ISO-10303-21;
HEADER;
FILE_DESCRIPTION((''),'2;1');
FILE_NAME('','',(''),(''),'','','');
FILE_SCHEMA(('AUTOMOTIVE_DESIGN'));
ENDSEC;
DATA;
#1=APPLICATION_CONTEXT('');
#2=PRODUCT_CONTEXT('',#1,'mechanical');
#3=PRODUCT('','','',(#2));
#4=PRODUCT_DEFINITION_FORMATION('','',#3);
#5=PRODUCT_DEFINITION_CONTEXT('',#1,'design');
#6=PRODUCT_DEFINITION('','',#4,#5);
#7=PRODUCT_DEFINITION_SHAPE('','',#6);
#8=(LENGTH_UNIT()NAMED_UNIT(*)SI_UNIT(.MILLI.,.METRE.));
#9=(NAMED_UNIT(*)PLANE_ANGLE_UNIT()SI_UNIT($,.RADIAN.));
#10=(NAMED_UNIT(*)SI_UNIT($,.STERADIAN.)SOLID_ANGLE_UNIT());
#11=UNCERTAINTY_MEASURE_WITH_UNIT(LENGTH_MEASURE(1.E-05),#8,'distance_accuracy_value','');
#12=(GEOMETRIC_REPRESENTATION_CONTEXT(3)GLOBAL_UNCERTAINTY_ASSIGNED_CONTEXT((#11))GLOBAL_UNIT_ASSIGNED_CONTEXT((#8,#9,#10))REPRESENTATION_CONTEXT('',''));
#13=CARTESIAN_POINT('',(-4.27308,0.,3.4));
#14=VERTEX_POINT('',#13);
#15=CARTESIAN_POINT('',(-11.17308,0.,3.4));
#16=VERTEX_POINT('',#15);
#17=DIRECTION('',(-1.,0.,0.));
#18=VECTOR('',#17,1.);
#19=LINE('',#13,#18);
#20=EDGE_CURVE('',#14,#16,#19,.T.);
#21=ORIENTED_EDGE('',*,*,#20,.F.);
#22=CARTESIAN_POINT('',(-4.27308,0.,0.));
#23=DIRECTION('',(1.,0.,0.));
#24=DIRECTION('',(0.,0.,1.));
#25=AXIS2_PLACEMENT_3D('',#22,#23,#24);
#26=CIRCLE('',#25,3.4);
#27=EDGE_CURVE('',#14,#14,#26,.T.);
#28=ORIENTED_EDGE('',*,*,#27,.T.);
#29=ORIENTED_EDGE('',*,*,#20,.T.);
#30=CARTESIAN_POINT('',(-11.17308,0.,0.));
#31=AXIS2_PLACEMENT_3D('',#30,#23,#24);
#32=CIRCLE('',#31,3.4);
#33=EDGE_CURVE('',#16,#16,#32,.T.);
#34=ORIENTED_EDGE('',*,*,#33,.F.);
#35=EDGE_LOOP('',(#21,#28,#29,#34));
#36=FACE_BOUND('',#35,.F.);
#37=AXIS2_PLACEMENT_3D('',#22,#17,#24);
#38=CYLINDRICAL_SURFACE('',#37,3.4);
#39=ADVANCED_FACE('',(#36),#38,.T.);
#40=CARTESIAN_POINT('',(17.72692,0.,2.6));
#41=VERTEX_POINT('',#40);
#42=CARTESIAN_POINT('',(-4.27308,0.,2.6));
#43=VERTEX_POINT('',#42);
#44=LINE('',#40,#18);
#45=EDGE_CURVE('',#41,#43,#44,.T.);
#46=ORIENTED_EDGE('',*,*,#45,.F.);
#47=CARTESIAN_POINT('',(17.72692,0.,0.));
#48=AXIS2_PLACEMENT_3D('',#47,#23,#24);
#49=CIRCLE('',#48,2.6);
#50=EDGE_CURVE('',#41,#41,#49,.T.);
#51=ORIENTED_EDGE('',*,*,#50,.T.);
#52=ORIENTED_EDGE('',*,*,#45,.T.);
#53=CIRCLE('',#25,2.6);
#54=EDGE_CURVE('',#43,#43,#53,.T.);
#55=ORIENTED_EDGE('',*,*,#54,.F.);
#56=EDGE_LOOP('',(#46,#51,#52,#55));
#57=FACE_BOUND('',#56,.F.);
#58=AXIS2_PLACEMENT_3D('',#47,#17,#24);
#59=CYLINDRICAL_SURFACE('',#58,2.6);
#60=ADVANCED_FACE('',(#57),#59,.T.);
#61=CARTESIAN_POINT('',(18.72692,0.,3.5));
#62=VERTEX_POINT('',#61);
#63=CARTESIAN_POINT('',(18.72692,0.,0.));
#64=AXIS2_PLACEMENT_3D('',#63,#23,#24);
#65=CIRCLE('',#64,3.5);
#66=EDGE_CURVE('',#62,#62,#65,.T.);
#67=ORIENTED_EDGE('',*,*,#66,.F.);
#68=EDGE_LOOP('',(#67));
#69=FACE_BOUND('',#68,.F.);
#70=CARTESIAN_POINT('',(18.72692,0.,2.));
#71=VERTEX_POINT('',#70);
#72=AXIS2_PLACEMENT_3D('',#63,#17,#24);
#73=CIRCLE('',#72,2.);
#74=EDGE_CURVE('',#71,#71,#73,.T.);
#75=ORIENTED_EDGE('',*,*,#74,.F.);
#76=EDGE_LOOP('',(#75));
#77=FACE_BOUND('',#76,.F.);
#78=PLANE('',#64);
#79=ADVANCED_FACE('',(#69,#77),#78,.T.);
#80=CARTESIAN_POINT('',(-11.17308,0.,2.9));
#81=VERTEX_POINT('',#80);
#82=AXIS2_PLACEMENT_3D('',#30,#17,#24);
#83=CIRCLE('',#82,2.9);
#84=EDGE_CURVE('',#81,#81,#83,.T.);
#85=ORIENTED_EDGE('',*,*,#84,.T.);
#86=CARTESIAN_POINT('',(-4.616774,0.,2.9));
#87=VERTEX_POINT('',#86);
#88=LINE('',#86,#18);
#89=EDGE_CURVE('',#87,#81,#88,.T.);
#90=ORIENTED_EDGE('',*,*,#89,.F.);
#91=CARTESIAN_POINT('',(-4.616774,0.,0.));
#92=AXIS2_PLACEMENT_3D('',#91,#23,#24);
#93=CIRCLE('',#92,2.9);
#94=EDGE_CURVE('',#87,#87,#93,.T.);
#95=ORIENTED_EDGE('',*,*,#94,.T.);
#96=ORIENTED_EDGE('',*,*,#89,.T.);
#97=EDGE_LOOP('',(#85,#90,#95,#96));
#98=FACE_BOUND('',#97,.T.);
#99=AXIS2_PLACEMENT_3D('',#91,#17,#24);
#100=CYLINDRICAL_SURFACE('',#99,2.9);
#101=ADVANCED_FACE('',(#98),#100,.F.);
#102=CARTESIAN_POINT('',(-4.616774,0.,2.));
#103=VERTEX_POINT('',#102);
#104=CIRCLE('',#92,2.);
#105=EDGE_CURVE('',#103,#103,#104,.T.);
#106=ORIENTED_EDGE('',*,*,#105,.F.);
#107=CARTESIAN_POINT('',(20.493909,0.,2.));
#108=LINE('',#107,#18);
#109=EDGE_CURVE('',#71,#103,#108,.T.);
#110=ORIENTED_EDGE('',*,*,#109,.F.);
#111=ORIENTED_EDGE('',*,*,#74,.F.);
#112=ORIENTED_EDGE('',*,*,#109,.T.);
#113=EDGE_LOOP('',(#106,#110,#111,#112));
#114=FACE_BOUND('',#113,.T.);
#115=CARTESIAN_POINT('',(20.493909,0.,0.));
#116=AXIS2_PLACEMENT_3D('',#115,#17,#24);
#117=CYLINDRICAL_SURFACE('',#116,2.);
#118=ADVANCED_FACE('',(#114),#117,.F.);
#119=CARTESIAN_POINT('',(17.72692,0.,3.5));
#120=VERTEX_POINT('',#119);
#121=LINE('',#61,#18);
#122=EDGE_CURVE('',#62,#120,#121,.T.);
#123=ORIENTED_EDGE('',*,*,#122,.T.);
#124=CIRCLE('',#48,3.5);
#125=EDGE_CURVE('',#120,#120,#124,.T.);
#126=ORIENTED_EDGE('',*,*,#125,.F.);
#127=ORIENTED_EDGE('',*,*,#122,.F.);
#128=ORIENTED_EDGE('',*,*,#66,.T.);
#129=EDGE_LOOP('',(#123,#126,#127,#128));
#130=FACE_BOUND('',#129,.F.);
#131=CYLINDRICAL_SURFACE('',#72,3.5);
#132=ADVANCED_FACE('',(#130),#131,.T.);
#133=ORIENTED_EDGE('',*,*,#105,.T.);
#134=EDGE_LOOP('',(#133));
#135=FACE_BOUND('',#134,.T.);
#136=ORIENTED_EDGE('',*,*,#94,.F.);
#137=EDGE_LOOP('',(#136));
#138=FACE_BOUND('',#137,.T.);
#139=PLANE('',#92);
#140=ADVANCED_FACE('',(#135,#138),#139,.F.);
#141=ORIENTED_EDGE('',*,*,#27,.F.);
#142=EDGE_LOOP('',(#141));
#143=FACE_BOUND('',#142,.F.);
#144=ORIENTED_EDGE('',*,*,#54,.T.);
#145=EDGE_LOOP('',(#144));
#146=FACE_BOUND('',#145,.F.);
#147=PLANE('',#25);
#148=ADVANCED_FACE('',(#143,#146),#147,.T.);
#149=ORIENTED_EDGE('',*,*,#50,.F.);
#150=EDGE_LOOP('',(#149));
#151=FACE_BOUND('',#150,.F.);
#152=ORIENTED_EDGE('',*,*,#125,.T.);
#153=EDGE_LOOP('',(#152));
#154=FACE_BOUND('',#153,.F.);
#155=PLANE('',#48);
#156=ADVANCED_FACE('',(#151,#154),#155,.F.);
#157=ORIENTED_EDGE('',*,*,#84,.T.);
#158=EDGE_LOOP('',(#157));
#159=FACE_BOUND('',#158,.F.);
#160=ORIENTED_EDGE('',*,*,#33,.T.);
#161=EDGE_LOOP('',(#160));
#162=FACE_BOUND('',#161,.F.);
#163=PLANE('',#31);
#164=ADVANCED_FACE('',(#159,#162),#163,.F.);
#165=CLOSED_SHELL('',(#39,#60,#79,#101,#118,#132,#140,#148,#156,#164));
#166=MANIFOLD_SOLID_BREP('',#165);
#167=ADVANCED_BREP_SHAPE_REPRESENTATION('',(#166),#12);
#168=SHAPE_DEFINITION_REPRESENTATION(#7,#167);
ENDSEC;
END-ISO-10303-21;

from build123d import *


with BuildPart() as f1:
    # F0 (on Front) → F1 (revolve)
    with BuildSketch(Plane.XZ):
        Polygon((-11.17308, 3.4), (-11.17308, 0), (17.72692, 0), (17.72692, 2.6), (-4.27308, 2.6), (-4.27308, 3.4), align=None)
        Polygon((17.72692, 2.6), (17.72692, 0), (18.72692, 0), (18.72692, 3.5), (17.72692, 3.5), align=None)
    revolve(axis=Axis((2.68319, 0, 0), (1, 0, 0)))

    # F2 (on Front) → F3 (revolve, cut)
    with BuildSketch(Plane.XZ):
        Polygon((-12.316774, 2.9), (-12.316774, 0), (20.493909, 0), (20.493909, 2), (-4.616774, 2), (-4.616774, 2.9), align=None)
    revolve(axis=Axis((3.41996, 0, 0), (1, 0, 0)), mode=Mode.SUBTRACT)


solid = f1.part
